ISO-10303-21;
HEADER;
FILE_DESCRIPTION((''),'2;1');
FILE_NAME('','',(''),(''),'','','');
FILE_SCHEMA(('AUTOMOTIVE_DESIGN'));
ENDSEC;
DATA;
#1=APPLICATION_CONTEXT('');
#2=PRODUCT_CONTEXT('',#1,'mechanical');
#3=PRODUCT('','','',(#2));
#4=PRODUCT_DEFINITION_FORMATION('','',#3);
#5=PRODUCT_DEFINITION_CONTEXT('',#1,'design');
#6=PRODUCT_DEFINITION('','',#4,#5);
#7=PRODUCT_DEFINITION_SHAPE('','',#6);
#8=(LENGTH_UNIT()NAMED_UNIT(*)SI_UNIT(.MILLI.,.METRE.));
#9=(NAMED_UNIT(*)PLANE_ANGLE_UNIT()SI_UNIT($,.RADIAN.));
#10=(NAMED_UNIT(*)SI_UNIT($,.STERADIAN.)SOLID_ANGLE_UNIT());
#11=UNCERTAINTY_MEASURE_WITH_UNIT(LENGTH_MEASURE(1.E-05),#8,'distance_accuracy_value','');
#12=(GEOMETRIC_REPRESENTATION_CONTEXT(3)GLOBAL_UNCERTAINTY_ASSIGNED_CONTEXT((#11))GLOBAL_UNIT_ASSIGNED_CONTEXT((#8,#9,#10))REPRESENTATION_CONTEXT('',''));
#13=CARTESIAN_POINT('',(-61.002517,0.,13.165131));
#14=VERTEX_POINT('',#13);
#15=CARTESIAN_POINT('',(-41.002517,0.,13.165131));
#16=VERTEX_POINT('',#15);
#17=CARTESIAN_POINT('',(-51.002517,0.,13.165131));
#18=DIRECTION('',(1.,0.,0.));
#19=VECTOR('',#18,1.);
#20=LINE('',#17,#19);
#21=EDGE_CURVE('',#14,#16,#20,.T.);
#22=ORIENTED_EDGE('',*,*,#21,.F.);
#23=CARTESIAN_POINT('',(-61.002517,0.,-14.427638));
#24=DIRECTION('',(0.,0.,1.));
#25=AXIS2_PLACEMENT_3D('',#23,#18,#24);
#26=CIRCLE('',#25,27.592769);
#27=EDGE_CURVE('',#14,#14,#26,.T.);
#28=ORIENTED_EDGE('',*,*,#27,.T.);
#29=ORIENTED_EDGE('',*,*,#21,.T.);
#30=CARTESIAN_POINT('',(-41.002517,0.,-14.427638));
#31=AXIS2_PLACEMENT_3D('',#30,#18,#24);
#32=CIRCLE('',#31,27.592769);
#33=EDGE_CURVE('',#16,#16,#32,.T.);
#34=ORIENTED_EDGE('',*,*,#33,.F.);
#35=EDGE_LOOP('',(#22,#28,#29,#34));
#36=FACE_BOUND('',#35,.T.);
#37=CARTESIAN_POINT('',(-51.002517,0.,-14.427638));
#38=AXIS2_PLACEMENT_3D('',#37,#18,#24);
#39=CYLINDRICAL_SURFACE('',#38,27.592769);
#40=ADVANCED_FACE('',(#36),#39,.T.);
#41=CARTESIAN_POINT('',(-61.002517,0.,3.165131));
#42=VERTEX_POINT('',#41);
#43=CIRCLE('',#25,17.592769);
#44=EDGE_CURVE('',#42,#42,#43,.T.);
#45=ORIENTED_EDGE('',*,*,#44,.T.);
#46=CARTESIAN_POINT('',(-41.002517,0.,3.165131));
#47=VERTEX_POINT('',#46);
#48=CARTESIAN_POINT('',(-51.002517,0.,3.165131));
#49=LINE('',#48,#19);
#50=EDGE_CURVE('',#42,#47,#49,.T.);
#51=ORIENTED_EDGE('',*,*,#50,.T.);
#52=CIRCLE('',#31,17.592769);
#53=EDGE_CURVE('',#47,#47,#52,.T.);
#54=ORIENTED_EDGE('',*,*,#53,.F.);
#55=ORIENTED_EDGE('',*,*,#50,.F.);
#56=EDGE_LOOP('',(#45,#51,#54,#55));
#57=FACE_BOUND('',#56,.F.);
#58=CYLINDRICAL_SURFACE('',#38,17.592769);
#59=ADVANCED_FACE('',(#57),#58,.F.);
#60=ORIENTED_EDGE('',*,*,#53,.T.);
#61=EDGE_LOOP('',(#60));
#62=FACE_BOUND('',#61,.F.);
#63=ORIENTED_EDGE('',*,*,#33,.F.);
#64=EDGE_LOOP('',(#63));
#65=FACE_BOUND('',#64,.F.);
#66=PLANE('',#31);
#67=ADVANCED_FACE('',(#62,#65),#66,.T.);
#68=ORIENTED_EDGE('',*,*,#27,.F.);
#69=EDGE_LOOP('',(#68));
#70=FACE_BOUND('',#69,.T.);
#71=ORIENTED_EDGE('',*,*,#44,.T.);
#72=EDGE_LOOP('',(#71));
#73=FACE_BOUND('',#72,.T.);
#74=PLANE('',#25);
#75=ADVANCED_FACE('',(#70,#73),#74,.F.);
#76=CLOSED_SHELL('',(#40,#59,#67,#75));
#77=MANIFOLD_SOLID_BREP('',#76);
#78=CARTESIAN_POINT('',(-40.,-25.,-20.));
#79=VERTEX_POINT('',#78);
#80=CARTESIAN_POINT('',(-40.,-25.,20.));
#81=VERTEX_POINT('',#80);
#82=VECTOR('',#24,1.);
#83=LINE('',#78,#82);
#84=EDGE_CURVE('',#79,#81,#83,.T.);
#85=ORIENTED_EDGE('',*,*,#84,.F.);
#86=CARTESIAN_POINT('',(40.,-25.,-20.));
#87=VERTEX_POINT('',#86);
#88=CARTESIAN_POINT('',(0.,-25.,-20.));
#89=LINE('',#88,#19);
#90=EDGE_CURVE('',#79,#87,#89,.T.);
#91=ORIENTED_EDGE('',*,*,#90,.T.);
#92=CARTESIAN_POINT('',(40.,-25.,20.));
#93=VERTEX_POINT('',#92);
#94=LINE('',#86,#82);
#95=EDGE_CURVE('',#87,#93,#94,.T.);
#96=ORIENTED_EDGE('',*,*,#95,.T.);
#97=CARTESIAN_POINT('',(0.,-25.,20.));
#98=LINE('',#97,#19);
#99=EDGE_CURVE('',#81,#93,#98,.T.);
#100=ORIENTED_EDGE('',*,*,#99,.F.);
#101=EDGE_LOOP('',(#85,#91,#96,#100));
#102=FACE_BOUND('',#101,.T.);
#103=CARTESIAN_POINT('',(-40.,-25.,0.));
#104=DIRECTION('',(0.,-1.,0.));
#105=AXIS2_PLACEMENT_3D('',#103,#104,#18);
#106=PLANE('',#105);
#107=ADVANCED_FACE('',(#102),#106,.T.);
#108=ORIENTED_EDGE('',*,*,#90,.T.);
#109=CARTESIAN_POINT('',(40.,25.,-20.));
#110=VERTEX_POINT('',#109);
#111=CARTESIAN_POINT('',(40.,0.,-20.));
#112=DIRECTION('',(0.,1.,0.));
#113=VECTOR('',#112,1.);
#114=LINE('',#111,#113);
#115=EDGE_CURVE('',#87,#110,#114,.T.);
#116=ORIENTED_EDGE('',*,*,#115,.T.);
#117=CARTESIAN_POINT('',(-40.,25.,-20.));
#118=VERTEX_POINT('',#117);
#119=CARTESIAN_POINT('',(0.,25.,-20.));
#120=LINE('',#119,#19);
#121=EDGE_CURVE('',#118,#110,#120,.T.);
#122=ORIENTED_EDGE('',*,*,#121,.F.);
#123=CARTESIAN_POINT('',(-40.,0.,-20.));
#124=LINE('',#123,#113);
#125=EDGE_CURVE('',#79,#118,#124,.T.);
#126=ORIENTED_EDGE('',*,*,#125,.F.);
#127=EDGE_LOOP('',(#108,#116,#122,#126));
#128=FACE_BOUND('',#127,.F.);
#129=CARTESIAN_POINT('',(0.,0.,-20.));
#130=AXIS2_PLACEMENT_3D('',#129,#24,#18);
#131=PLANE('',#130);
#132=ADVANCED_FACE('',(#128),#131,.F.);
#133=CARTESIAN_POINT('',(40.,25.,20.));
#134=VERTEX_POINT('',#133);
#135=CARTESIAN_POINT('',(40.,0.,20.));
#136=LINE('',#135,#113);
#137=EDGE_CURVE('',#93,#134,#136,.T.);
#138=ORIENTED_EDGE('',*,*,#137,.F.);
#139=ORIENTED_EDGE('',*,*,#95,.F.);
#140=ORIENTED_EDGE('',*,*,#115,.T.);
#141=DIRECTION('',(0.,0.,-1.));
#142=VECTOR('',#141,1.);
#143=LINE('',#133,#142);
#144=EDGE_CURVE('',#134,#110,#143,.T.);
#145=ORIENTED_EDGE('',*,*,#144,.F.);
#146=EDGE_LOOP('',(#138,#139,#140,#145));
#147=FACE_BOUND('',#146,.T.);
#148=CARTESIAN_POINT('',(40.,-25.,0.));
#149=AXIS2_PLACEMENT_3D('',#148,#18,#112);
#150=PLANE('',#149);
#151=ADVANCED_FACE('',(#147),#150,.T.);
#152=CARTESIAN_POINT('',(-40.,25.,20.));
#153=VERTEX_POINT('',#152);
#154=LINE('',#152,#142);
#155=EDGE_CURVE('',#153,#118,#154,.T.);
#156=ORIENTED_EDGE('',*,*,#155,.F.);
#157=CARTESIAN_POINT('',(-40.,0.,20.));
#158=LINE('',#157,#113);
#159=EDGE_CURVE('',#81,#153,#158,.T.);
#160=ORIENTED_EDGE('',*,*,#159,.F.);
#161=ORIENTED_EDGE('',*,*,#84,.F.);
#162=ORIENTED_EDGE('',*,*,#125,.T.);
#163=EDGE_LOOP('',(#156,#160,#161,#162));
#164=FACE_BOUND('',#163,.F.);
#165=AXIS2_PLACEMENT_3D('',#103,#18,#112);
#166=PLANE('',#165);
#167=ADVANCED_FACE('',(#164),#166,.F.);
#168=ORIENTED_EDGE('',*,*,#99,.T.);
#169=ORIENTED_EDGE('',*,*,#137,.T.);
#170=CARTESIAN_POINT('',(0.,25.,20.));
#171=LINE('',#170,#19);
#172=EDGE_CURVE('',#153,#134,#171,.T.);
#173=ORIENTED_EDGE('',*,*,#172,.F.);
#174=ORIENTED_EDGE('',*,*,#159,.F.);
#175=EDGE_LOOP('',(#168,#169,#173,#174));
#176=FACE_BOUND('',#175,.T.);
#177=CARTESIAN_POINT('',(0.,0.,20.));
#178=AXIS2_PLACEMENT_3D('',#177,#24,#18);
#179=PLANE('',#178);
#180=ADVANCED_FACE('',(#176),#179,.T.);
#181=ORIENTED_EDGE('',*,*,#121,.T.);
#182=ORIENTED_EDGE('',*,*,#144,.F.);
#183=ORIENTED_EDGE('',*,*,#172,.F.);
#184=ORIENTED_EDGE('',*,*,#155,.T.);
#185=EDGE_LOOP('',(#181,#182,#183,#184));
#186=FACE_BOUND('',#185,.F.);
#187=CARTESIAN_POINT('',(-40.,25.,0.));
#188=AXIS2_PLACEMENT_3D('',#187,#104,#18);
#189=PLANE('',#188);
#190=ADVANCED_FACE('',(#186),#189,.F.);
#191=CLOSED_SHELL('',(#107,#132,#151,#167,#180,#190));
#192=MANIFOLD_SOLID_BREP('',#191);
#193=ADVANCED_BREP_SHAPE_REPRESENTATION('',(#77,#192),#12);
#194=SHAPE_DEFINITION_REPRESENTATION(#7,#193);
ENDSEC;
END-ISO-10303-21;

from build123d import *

# Parameters (mm, degrees)
F0_W     = 80
F0_H     = 50
F1_DEPTH = 20
F3_W     = 20
F3_H     = 10


with BuildPart() as f1:
    # F0 (on Top) → F1 (new body, symmetric)
    with BuildSketch(Plane.XY):
        Rectangle(F0_W, F0_H)
    extrude(amount=F1_DEPTH, both=True)


with BuildPart() as f5:
    # F3 (on Front) → F5 (revolve)
    with BuildSketch(Plane.XZ):
        with Locations((-51.002517, 8.165131)):
            Rectangle(F3_W, F3_H)
    revolve(axis=Axis((-1.774587, 0, -14.427638), (1, 0, 0)))


solid = Compound([f1.part, f5.part])
